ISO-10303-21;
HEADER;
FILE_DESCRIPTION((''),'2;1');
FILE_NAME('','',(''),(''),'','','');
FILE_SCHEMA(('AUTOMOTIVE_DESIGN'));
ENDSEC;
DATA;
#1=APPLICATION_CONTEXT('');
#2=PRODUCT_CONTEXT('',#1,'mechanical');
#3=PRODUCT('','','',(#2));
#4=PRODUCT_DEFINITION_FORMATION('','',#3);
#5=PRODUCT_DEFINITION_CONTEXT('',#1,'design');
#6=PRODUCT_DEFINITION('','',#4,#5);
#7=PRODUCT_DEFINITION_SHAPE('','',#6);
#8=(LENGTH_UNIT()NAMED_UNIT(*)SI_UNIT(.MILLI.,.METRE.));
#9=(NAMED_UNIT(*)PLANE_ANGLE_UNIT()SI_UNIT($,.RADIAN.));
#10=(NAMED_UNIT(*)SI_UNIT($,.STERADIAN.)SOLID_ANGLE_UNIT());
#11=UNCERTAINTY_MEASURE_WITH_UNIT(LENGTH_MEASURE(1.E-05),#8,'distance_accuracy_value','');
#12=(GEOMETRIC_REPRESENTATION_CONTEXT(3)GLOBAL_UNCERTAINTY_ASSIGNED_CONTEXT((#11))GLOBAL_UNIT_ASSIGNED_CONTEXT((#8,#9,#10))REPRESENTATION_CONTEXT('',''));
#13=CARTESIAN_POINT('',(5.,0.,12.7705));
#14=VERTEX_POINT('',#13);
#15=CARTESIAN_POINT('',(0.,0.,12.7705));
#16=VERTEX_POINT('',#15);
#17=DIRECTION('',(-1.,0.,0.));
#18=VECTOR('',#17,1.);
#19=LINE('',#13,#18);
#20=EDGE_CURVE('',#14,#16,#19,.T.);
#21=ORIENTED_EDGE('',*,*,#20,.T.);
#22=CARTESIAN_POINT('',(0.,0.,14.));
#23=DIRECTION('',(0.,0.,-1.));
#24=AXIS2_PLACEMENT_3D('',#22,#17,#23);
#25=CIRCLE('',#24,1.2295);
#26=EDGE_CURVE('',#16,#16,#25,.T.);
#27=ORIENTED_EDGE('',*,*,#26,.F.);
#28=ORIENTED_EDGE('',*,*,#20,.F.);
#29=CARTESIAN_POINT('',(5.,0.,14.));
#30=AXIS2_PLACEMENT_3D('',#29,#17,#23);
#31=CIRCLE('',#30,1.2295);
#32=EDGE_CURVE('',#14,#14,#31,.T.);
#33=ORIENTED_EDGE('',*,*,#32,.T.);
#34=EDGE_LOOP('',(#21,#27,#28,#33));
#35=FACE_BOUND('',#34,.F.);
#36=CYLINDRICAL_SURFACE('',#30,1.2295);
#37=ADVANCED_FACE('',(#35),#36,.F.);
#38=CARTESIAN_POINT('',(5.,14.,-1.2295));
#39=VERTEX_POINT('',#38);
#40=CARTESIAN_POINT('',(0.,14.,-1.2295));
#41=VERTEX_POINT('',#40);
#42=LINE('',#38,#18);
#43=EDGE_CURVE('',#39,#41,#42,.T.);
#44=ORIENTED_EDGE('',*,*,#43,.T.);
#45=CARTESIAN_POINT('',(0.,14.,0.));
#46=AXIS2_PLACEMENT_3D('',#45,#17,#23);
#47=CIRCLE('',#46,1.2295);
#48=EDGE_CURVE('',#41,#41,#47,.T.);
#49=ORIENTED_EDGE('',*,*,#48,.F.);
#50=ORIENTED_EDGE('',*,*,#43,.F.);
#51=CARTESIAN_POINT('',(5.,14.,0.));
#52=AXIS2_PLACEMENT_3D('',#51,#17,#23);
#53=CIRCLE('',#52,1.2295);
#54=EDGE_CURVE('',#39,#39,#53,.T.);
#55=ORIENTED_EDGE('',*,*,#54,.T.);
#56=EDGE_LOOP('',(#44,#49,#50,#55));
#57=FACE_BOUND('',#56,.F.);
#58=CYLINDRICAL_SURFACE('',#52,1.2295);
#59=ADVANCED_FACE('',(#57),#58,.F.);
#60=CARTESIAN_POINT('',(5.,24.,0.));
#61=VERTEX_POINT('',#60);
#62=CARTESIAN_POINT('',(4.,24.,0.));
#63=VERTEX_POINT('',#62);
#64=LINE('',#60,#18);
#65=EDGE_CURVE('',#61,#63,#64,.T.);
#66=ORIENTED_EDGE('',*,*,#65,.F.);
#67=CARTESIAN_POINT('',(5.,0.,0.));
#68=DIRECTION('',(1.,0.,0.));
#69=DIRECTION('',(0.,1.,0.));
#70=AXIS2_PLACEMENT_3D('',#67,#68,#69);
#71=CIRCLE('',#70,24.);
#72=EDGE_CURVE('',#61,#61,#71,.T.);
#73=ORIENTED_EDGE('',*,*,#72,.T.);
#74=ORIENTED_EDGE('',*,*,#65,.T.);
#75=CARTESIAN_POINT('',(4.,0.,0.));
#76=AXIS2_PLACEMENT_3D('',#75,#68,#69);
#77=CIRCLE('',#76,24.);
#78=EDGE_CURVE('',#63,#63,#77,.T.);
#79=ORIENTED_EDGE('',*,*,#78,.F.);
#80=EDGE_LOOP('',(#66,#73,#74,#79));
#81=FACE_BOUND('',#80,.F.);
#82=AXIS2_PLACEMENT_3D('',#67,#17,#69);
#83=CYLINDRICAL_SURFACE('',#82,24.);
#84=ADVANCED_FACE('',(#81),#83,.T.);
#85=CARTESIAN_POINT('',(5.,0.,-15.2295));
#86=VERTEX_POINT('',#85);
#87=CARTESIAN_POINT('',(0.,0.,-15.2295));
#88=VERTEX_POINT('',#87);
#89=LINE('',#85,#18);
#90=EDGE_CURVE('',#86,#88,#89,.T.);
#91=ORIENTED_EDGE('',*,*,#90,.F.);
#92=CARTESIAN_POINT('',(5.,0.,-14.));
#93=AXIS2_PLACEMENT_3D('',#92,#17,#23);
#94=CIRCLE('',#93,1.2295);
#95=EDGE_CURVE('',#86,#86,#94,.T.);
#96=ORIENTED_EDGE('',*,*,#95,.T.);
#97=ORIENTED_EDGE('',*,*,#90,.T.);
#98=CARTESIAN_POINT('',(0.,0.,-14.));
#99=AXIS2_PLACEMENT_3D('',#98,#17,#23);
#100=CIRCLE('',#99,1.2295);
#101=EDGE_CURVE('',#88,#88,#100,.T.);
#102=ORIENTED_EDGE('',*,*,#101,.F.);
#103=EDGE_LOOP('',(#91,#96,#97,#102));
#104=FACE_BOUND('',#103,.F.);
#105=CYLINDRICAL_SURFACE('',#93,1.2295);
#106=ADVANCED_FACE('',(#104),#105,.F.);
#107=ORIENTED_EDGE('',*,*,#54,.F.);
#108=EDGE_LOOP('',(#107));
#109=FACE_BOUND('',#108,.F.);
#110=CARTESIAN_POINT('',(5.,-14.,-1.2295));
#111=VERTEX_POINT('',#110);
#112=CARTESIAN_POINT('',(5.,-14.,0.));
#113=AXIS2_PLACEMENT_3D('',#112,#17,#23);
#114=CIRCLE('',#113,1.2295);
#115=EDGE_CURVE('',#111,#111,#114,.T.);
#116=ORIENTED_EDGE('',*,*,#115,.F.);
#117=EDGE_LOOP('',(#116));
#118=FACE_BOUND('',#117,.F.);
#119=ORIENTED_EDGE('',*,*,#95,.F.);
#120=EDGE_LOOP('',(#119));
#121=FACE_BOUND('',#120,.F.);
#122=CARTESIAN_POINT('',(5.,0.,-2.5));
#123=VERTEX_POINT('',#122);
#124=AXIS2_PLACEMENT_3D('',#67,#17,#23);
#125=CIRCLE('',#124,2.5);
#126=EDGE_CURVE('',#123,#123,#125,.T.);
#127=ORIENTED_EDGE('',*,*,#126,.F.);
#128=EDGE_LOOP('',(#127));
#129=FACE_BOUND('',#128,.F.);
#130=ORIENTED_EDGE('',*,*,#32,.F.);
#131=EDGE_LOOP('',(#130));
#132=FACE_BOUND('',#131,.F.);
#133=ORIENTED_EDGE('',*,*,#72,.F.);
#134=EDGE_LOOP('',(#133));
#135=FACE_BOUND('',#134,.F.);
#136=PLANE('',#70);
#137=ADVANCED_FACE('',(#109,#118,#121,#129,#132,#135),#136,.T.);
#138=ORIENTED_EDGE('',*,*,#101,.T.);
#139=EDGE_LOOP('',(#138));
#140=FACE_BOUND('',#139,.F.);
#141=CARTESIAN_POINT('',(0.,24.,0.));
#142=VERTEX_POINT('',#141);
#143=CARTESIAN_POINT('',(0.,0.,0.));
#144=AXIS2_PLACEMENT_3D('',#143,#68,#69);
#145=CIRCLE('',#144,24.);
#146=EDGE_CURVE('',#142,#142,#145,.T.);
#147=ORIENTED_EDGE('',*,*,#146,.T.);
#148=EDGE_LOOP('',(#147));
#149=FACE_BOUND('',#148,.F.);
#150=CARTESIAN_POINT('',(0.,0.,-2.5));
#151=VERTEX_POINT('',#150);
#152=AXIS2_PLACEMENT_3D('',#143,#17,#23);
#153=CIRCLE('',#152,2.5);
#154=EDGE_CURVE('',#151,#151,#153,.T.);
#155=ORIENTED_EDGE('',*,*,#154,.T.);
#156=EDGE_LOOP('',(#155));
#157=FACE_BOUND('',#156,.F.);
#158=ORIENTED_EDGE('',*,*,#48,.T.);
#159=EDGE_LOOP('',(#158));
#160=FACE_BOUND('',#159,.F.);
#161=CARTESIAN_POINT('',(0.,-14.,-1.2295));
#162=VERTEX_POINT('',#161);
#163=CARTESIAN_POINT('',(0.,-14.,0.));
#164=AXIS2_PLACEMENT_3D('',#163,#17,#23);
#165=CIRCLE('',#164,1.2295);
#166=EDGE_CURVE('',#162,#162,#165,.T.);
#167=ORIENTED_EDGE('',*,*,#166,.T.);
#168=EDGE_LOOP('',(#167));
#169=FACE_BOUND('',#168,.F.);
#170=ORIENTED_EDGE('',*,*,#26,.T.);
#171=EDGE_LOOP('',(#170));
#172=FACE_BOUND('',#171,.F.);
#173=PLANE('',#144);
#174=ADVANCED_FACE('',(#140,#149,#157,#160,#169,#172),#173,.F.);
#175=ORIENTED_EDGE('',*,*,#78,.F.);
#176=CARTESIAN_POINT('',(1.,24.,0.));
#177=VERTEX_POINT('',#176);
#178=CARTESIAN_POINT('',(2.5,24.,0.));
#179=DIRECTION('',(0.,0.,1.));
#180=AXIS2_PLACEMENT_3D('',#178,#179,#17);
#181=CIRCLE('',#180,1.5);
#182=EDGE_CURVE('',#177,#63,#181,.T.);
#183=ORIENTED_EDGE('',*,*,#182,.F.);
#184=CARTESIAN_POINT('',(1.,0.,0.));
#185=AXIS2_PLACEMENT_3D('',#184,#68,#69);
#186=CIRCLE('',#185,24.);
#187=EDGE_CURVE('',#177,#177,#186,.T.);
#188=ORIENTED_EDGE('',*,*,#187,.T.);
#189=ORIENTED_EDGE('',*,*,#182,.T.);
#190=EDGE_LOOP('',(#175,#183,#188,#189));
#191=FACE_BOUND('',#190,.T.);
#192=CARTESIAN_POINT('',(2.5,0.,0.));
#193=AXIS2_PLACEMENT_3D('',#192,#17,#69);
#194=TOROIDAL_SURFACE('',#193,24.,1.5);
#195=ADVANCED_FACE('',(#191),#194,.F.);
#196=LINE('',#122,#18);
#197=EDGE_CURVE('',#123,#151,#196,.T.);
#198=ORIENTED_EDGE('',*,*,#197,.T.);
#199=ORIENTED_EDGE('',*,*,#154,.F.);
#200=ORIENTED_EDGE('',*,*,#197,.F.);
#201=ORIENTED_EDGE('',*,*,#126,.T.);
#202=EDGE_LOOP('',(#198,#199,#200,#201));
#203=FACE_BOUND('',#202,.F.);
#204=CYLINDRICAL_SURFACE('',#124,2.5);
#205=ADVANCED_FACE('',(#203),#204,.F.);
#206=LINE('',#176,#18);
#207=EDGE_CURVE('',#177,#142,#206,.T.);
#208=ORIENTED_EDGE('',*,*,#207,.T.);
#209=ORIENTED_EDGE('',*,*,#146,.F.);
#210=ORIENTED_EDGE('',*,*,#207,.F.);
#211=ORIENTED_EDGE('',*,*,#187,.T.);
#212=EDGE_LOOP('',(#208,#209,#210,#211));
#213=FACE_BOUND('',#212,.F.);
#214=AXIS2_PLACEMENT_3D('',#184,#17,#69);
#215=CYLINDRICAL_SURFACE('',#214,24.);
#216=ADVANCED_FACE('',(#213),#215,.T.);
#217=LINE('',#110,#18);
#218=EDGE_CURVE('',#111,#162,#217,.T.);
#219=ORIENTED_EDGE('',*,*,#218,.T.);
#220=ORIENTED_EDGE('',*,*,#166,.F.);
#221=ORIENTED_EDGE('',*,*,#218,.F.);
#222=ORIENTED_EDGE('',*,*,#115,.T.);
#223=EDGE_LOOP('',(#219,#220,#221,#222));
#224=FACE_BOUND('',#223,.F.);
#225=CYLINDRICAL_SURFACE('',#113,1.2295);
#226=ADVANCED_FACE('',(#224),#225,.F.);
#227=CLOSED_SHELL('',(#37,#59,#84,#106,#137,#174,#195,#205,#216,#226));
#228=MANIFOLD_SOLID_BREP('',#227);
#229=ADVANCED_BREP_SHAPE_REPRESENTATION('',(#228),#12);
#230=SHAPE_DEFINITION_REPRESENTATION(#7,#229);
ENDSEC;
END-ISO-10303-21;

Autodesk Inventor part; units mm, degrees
ref_plane "YZ Plane" through (0, 0, 0) normal (1, 0, 0) x (0, 1, 0)
ref_plane "XZ Plane" through (0, 0, 0) normal (0, 1, 0) x (-1, 0, 0)
ref_plane "XY Plane" through (0, 0, 0) normal (0, 0, 1) x (1, 0, 0)
sketch "スケッチ1" plane through (0, 0, 0) normal (0, 0, 1) x (1, 0, 0)
  line L0 (0, 0) -> (5, 0)
  line L1 (5, 0) -> (5, 24)
  line L2 (0, 24) -> (0, 0)
  arc A0 (1, 24) -> (4, 24) centre (2.5, 24) ccw
  line L3 (5, 24) -> (4, 24)
  line L4 (1, 24) -> (0, 24)
  dimension "d0" = 5
  dimension "d1" = 24
  dimension "d2" = 3
revolve "回転1" add sketch "スケッチ1" angle 360 about axis through (0, 0, 0) along (1, 0, 0)
sketch "スケッチ2" plane through (5, 0, 0) normal (1, 0, 0) x (0, 0, -1)
  point P0 (0, 0)
hole "穴1" at (5, 0, 0) direction (-1, 0, 0) diameter 5 end through all
sketch "スケッチ3" plane through (5, 0, 0) normal (1, 0, 0) x (0, 0, -1)
  point P0 (0, 0)
  point P1 (0, 14)
  point P2 (-14, 0)
  point P3 (0, -14)
  point P4 (14, 0)
  dimension "d13" = 360
  dimension "d15" = 14
hole "穴2" at (5, 14, 0) at (5, 0, 14) at (5, -14, 0) at (5, 0, -14) direction (-1, 0, 0) diameter 2.459 end through all thread size "M3x0.5" class "6H" standard "ANSI Metric M Profile"
sketch "スケッチ4" plane through (5, 0, 0) normal (1, 0, 0) x (0, 0, -1)
  point P0 (0, 0)
properties part number "RD0012_ホイール" material "アルミニウム 6061"
